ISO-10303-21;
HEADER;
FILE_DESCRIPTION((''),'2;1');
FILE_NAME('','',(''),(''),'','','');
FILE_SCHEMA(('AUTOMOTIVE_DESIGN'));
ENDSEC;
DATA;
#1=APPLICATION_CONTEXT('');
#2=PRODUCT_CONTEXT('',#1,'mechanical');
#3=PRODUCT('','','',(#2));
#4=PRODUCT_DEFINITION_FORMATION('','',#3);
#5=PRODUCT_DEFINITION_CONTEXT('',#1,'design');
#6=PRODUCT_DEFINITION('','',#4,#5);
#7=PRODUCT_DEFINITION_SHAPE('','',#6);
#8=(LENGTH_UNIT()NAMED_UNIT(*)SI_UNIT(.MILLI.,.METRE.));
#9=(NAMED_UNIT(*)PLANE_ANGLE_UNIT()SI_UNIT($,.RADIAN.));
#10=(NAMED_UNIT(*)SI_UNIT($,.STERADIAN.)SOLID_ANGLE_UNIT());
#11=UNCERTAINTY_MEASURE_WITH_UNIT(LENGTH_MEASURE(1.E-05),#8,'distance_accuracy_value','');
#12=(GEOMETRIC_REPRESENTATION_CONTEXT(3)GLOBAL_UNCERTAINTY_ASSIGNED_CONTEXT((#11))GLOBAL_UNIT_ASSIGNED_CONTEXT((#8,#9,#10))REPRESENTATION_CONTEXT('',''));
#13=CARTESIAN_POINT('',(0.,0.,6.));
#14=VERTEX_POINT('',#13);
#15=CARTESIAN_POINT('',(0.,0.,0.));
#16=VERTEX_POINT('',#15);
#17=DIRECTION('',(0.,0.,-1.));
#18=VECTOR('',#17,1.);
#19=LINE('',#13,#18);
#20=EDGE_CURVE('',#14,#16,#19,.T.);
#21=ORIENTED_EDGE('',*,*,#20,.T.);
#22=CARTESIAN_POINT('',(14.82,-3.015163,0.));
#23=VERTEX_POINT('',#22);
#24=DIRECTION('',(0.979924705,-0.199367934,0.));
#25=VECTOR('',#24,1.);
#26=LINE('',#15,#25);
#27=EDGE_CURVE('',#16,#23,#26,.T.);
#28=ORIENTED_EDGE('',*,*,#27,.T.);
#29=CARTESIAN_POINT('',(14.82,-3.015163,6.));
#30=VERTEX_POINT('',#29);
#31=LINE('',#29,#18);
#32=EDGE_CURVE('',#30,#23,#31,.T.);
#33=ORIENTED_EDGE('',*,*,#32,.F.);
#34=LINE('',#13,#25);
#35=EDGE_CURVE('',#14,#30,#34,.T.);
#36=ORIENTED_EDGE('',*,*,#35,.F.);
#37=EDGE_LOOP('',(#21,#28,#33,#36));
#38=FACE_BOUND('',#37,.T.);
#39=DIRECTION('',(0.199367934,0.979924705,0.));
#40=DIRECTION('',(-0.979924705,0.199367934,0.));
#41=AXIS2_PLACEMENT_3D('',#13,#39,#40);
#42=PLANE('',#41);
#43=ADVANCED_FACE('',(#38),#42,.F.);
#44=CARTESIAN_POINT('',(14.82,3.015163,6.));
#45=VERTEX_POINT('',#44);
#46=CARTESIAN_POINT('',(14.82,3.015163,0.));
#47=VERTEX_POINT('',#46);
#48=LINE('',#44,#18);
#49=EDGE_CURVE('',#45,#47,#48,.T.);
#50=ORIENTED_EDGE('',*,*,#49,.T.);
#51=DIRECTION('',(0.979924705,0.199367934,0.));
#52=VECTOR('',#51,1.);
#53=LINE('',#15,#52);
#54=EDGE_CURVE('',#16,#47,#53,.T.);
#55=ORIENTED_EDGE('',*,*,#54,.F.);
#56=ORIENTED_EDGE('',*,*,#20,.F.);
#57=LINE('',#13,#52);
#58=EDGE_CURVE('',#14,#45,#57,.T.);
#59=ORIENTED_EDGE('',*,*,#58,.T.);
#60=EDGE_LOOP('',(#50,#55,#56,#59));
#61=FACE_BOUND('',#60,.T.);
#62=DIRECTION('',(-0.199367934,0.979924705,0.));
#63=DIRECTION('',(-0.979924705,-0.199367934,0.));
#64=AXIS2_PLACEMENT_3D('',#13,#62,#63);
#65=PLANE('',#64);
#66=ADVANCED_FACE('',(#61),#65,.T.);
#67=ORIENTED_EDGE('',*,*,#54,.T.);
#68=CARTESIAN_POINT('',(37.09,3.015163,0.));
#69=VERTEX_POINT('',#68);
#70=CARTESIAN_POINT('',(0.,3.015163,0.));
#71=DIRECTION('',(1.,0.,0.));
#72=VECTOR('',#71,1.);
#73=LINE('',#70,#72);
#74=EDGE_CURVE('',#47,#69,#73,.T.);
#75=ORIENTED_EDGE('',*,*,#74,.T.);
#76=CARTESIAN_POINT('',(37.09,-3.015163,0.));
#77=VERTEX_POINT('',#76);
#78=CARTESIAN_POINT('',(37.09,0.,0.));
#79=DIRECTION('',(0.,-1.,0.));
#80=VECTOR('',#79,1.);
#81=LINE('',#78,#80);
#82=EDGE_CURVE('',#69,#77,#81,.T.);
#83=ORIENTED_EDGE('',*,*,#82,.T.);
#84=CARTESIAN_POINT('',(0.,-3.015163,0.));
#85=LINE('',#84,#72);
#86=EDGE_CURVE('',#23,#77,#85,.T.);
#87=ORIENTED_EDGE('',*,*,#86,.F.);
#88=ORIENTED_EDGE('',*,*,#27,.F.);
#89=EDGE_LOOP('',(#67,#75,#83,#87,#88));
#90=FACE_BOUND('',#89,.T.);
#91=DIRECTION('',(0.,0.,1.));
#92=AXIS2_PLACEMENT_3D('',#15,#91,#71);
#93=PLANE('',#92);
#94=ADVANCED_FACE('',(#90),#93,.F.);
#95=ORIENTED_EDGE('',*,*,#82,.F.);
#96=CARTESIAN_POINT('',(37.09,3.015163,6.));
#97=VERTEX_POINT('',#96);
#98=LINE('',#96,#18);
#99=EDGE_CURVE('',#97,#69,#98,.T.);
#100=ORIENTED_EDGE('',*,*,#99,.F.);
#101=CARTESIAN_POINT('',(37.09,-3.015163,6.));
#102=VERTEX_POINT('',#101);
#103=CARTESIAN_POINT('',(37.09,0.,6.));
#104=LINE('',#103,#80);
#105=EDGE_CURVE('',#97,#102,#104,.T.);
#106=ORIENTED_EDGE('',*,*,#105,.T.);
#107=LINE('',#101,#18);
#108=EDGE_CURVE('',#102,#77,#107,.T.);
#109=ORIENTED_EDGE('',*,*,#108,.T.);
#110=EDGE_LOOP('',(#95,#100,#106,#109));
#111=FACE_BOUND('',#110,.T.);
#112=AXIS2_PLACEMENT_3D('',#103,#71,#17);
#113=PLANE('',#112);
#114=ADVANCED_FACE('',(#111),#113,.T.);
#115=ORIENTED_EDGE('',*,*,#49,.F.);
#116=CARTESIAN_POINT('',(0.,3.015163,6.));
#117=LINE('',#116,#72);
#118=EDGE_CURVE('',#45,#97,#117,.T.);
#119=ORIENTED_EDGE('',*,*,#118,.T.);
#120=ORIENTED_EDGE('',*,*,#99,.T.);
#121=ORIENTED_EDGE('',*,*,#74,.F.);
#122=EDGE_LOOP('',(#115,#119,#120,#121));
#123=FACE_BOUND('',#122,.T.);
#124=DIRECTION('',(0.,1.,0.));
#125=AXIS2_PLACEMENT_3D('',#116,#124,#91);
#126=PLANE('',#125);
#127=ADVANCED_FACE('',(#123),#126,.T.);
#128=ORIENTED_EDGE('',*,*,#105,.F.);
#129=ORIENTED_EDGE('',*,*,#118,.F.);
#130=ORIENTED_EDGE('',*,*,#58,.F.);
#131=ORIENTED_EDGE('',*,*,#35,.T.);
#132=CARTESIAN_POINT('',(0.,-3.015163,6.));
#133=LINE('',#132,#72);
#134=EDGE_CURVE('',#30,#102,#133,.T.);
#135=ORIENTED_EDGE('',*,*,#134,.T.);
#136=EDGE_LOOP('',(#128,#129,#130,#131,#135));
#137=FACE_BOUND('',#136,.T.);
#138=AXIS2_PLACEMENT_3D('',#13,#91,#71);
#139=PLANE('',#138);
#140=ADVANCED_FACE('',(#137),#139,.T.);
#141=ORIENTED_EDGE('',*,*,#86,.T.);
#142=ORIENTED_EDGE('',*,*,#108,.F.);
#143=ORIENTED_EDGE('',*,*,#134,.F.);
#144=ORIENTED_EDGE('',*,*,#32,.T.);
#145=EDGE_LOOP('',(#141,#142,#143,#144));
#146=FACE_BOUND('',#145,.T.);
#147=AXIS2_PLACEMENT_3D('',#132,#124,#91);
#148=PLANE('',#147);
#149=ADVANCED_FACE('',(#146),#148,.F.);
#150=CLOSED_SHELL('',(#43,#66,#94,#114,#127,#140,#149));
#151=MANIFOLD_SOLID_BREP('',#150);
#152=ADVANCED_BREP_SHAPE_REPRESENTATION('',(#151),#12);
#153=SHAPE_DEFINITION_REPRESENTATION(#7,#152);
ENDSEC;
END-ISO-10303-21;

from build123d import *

# Parameters (mm, degrees)
EXTRUDE_1_DEPTH = 6


with BuildPart() as part:
    # 草圖1 → 填料-伸長1 (new body)
    with BuildSketch(Plane.XY):
        Polygon((0, 0), (14.82, 3.015163077), (37.09, 3.015163077), (37.09, -3.015163077), (14.82, -3.015163077), align=None)
    extrude(amount=EXTRUDE_1_DEPTH)


solid = part.part
